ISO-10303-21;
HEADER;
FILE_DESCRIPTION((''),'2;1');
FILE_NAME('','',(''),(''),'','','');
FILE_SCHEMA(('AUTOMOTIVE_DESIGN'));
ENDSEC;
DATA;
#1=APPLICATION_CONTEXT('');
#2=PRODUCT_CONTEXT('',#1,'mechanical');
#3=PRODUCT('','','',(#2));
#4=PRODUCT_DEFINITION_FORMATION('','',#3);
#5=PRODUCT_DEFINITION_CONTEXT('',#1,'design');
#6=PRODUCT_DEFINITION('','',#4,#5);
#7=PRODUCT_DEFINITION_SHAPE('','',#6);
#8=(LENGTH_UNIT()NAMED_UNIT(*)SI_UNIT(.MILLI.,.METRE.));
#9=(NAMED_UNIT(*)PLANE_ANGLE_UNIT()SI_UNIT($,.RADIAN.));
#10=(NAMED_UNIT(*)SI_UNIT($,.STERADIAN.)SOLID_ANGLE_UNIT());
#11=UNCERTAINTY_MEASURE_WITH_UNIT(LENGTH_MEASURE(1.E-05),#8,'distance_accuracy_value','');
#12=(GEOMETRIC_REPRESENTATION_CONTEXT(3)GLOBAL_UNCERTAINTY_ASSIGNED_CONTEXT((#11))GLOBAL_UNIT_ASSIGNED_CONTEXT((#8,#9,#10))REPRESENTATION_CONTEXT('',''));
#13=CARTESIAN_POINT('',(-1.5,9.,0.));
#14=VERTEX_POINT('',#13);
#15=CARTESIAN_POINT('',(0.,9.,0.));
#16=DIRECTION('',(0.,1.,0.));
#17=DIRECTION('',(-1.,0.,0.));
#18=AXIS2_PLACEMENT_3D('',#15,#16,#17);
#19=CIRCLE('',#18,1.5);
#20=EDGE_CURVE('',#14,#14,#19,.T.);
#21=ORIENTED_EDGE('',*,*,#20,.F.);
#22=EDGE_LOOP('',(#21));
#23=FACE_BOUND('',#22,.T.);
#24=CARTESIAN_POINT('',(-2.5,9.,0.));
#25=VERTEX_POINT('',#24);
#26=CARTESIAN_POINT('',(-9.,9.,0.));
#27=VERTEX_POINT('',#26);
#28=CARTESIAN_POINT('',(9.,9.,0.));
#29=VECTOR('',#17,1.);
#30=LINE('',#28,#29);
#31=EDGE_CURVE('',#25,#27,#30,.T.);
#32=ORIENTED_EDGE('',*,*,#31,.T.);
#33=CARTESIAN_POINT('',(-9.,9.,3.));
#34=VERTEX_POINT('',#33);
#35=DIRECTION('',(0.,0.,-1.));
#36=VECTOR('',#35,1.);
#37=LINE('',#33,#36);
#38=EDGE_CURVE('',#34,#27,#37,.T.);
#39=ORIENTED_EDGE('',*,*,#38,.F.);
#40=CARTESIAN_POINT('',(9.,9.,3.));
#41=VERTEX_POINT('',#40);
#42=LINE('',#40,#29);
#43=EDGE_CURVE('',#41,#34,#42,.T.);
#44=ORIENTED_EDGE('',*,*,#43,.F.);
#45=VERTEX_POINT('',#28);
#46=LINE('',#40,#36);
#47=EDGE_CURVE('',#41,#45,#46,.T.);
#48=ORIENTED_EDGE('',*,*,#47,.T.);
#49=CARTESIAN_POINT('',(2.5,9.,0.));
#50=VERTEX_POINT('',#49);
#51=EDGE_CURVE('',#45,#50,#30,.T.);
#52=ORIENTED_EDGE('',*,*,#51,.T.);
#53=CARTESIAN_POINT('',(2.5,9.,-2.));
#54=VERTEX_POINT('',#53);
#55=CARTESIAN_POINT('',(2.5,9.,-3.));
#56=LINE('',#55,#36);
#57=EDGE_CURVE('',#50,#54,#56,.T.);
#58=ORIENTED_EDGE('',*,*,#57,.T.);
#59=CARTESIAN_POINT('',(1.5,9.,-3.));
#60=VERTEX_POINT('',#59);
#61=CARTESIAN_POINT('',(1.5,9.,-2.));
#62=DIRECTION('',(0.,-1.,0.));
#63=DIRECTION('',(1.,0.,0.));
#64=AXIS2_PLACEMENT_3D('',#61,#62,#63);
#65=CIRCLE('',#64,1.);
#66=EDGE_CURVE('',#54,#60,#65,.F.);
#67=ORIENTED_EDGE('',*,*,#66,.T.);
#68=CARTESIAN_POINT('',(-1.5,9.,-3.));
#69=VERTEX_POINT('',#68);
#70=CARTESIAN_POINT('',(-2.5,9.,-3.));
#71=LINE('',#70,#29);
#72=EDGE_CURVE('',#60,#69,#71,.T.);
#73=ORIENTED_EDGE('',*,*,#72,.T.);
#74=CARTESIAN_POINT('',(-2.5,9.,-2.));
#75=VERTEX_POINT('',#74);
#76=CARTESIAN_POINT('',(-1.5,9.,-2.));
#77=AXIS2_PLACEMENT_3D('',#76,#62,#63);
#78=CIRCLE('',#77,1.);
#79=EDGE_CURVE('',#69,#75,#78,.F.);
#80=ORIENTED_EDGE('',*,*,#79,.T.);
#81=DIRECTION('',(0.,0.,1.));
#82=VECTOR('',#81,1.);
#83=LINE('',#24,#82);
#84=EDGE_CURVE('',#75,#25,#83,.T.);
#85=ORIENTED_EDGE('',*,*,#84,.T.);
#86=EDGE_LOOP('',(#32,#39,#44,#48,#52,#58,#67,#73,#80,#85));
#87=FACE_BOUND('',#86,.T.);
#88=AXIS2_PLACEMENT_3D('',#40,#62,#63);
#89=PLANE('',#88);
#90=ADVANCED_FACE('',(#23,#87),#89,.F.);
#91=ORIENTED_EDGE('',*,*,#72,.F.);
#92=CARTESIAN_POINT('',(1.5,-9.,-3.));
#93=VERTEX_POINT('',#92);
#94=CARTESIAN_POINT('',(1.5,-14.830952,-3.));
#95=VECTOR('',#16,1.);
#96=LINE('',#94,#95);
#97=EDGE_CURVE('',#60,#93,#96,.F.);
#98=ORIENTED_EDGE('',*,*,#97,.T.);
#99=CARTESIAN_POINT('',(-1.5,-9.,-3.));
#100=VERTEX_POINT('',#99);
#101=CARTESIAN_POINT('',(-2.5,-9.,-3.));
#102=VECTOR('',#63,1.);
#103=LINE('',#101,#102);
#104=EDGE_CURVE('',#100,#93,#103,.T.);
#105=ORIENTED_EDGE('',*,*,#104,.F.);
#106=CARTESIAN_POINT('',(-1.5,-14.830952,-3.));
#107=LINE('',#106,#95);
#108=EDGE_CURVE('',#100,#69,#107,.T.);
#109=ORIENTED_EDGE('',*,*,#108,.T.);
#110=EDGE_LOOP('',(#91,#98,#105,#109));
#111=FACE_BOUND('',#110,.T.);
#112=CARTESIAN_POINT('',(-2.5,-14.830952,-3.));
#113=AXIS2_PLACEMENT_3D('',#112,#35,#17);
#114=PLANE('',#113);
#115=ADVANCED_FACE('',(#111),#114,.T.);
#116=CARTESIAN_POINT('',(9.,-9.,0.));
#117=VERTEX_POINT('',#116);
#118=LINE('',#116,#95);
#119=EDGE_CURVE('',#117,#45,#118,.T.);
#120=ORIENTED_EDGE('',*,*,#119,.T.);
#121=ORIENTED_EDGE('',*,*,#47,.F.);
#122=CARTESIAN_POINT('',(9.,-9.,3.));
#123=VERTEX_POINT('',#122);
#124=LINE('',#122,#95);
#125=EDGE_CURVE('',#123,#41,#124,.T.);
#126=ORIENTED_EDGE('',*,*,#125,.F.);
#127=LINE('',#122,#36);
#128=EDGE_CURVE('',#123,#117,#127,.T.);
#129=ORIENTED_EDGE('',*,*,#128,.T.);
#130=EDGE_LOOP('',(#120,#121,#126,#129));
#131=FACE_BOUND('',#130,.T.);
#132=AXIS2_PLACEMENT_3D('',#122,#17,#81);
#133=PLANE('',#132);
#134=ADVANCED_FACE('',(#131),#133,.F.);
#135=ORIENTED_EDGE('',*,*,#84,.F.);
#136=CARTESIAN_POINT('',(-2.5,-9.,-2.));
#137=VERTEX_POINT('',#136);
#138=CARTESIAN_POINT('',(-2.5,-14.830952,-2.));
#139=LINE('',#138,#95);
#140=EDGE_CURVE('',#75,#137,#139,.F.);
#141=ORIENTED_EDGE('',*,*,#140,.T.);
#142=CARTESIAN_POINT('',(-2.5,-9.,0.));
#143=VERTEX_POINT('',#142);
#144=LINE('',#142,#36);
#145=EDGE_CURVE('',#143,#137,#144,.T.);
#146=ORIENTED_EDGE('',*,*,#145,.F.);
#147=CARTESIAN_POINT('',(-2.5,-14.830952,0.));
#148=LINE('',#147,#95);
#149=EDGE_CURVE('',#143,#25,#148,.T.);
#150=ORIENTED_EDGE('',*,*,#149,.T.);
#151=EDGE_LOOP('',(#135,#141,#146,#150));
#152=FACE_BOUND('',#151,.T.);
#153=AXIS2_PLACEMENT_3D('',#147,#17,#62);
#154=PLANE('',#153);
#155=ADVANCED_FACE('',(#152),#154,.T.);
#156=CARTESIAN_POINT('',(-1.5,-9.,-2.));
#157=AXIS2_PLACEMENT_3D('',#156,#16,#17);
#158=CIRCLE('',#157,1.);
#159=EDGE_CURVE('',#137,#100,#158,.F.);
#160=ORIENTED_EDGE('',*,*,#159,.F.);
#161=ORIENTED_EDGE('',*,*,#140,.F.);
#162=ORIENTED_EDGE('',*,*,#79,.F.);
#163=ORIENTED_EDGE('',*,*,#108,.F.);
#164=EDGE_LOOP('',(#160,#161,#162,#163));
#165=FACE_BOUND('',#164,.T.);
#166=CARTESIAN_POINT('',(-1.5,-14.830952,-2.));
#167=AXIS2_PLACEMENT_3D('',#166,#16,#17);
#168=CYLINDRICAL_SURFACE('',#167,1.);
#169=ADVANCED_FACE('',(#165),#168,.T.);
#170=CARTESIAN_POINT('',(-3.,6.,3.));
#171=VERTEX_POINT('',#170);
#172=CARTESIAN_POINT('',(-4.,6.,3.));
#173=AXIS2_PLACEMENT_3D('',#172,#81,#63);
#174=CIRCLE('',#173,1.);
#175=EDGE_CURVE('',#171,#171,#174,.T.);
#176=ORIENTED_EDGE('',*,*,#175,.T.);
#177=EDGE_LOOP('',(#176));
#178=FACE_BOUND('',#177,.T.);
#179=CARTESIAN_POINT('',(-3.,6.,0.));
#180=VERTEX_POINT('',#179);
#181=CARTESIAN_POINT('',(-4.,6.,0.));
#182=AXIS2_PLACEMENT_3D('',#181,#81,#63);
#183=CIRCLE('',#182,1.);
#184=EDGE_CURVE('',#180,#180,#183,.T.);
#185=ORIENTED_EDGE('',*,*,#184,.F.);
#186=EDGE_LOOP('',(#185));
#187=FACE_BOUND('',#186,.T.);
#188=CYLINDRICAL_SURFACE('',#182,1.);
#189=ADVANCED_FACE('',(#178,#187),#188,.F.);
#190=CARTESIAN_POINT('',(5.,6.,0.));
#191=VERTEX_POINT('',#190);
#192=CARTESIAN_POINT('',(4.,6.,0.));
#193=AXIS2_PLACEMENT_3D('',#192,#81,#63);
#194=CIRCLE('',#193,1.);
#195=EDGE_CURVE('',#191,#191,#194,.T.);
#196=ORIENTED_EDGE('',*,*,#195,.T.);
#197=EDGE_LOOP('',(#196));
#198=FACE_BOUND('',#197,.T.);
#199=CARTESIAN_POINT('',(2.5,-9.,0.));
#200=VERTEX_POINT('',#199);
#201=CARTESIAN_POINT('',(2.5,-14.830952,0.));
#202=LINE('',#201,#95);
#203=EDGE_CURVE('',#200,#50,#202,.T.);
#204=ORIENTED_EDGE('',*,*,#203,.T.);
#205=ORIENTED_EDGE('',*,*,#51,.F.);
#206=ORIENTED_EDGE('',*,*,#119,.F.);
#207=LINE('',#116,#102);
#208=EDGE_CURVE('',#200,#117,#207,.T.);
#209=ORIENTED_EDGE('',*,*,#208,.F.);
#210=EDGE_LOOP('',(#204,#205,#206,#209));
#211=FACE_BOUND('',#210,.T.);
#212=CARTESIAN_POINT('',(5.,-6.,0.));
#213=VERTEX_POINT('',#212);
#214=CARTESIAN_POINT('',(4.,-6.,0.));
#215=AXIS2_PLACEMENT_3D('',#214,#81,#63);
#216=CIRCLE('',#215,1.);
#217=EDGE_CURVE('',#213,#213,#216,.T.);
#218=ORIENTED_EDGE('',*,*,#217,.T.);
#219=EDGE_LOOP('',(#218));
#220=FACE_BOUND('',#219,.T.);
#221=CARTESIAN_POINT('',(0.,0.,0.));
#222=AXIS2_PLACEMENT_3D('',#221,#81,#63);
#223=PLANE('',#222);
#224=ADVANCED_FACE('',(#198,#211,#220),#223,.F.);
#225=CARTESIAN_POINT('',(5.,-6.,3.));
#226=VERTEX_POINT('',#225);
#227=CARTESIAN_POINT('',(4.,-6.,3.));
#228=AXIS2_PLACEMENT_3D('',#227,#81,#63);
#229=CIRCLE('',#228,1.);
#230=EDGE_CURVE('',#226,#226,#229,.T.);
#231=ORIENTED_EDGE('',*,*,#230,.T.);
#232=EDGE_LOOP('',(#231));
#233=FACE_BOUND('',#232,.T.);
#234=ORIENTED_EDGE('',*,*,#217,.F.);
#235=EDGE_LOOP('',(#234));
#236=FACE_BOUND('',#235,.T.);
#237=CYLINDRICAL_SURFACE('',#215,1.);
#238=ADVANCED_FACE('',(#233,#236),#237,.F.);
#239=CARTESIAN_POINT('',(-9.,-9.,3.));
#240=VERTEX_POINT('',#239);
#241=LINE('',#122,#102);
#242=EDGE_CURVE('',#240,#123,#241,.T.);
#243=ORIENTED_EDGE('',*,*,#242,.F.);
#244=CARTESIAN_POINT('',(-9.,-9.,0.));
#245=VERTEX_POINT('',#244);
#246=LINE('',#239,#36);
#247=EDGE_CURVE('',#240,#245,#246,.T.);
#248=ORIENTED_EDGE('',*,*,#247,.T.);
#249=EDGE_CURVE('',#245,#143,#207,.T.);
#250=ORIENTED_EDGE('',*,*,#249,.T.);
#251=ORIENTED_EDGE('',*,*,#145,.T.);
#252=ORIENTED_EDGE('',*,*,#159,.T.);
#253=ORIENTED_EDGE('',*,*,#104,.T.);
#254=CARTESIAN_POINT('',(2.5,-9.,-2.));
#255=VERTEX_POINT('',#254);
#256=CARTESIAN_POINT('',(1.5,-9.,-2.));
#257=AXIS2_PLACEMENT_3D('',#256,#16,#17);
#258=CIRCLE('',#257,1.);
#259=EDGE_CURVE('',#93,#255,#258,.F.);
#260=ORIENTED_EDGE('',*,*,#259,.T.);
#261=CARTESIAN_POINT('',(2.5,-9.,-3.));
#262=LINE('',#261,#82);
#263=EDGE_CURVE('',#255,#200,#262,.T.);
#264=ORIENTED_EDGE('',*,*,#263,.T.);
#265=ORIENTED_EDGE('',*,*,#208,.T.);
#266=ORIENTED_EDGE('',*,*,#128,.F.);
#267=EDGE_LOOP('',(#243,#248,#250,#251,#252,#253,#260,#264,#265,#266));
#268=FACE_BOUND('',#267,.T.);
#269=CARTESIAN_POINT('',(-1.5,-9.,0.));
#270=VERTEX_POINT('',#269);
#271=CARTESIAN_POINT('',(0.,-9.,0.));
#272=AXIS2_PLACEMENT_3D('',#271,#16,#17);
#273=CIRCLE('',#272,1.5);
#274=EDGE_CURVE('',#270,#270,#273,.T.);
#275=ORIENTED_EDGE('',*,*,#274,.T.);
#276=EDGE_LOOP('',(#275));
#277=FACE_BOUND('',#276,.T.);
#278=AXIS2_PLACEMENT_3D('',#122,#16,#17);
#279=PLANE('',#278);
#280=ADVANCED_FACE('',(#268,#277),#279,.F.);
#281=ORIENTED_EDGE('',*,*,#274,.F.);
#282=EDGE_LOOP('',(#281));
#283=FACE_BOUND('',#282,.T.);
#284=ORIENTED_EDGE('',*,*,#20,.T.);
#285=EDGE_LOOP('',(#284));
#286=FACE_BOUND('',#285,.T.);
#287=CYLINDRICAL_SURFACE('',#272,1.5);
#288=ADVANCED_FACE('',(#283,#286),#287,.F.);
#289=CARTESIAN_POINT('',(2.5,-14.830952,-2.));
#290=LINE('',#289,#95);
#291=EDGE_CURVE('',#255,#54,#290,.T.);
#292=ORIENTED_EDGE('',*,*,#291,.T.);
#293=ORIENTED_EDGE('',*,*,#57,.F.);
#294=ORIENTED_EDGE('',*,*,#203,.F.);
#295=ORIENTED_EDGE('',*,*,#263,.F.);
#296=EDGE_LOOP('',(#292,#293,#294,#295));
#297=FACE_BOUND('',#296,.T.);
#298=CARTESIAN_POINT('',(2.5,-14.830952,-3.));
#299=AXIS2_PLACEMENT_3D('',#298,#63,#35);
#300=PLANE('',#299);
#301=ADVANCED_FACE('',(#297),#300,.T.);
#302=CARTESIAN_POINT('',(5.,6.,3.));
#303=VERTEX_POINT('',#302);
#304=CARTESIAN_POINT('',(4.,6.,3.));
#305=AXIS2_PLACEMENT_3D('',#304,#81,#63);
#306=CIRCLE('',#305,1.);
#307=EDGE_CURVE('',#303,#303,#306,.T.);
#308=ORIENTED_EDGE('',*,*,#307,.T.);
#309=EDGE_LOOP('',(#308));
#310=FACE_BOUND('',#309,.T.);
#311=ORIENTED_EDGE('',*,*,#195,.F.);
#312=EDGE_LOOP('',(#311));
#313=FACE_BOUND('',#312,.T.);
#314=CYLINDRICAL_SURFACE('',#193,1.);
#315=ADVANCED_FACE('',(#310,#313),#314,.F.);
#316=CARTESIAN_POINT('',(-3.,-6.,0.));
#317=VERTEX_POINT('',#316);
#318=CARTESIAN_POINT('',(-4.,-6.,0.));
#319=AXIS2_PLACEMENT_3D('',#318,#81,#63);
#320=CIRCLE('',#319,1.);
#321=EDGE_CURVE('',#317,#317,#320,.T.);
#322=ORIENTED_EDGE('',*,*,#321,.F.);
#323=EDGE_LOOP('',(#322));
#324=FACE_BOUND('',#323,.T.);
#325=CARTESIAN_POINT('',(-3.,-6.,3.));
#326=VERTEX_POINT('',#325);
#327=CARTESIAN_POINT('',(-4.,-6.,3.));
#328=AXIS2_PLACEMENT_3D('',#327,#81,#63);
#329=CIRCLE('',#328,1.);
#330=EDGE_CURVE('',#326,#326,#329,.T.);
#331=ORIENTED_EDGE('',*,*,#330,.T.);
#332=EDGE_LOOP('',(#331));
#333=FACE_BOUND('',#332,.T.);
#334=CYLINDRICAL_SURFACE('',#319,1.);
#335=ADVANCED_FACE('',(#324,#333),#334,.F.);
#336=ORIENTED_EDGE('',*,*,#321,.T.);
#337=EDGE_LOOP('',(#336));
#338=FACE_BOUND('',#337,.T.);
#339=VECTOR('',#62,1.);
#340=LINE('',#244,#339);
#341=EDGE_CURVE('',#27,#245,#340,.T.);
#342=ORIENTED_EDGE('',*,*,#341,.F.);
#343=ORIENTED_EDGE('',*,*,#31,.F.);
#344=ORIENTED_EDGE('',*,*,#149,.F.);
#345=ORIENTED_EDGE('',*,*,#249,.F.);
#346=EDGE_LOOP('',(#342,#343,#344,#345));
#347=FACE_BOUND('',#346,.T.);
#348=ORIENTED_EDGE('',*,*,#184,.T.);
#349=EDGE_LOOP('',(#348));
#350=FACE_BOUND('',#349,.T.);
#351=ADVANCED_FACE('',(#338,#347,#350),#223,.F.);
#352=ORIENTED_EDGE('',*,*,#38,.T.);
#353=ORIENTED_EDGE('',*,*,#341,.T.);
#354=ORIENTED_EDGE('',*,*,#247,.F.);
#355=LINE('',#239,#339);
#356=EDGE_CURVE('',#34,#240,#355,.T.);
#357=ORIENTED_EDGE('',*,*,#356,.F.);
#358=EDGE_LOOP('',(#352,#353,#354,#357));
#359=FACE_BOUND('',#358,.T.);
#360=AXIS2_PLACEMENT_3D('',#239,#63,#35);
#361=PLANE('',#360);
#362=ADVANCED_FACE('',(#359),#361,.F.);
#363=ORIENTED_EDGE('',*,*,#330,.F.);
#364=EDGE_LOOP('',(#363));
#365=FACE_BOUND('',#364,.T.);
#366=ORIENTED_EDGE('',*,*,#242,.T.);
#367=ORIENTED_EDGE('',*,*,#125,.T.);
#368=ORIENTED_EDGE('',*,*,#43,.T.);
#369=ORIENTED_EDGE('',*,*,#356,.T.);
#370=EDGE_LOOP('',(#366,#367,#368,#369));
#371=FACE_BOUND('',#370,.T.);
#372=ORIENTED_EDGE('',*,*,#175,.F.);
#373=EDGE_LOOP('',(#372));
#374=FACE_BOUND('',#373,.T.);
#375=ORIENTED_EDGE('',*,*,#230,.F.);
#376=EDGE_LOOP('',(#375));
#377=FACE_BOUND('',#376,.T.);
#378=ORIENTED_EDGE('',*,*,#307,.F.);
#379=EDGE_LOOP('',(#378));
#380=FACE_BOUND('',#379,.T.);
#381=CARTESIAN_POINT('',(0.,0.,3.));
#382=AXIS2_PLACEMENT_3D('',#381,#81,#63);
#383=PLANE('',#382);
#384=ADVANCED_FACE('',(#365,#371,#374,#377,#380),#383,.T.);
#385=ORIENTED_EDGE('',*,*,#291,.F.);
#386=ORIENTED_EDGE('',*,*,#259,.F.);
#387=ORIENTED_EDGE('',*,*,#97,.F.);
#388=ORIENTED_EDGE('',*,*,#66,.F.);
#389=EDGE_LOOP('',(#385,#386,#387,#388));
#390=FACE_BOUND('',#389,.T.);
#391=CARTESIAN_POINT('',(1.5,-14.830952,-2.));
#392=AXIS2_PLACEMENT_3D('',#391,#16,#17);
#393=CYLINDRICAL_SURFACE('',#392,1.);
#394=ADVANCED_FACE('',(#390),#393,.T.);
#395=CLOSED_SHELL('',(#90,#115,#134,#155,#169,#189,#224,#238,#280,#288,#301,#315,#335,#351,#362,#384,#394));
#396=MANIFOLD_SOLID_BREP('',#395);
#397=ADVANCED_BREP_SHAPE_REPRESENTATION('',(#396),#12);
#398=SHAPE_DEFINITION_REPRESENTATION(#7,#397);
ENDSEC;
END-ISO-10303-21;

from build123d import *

# Parameters (mm, degrees)
SKETCH_1_W          = 18
SKETCH_1_H          = 18
EXTRUDE_1_DEPTH     = 3
SKETCH_4_R          = 1
CUT_EXTRUDE_1_DEPTH = 14.076696831
SKETCH_8_W          = 5
SKETCH_8_H          = 3
EXTRUDE_4_DEPTH     = 18
SKETCH_9_R          = 1.5
CUT_EXTRUDE_3_DEPTH = 21.346989949
FILLET_3_R          = 1


with BuildPart() as part:
    # 草图1 → 凸台-拉伸1 (new body)
    with BuildSketch(Plane.XY):
        Rectangle(SKETCH_1_W, SKETCH_1_H)
    extrude(amount=EXTRUDE_1_DEPTH)

    # 草图4 → 切除-拉伸1 (cut, through all)
    with BuildSketch(Plane.XY.offset(3)):
        with Locations((-4, -6)):
            Circle(SKETCH_4_R)
        with Locations((4, -6)):
            Circle(SKETCH_4_R)
        with Locations((4, 6)):
            Circle(SKETCH_4_R)
        with Locations((-4, 6)):
            Circle(SKETCH_4_R)
    extrude(amount=-CUT_EXTRUDE_1_DEPTH, mode=Mode.SUBTRACT)

    # 草图8 → 凸台-拉伸4 (add)
    with BuildSketch(Plane(origin=(0, 9, 0), x_dir=(1, 0, 0), z_dir=(0, 1, 0))):
        with Locations((0, 1.5)):
            Rectangle(SKETCH_8_W, SKETCH_8_H)
    extrude(amount=-EXTRUDE_4_DEPTH)

    # 草图9 → 切除-拉伸3 (cut, through all)
    with BuildSketch(Plane(origin=(0, 9, 0), x_dir=(1, 0, 0), z_dir=(0, 1, 0))):
        with Locations(Location((0, 0, 0), (0, 0, 180))):
            Circle(SKETCH_9_R)
    extrude(amount=-CUT_EXTRUDE_3_DEPTH, mode=Mode.SUBTRACT)

    # 圆角3
    fillet_3_edges = [part.edges().sort_by_distance(p)[0] for p in [
        (-2.5, 0, -3),
        (2.5, 0, -3),
    ]]
    fillet(fillet_3_edges, radius=FILLET_3_R)


solid = part.part
